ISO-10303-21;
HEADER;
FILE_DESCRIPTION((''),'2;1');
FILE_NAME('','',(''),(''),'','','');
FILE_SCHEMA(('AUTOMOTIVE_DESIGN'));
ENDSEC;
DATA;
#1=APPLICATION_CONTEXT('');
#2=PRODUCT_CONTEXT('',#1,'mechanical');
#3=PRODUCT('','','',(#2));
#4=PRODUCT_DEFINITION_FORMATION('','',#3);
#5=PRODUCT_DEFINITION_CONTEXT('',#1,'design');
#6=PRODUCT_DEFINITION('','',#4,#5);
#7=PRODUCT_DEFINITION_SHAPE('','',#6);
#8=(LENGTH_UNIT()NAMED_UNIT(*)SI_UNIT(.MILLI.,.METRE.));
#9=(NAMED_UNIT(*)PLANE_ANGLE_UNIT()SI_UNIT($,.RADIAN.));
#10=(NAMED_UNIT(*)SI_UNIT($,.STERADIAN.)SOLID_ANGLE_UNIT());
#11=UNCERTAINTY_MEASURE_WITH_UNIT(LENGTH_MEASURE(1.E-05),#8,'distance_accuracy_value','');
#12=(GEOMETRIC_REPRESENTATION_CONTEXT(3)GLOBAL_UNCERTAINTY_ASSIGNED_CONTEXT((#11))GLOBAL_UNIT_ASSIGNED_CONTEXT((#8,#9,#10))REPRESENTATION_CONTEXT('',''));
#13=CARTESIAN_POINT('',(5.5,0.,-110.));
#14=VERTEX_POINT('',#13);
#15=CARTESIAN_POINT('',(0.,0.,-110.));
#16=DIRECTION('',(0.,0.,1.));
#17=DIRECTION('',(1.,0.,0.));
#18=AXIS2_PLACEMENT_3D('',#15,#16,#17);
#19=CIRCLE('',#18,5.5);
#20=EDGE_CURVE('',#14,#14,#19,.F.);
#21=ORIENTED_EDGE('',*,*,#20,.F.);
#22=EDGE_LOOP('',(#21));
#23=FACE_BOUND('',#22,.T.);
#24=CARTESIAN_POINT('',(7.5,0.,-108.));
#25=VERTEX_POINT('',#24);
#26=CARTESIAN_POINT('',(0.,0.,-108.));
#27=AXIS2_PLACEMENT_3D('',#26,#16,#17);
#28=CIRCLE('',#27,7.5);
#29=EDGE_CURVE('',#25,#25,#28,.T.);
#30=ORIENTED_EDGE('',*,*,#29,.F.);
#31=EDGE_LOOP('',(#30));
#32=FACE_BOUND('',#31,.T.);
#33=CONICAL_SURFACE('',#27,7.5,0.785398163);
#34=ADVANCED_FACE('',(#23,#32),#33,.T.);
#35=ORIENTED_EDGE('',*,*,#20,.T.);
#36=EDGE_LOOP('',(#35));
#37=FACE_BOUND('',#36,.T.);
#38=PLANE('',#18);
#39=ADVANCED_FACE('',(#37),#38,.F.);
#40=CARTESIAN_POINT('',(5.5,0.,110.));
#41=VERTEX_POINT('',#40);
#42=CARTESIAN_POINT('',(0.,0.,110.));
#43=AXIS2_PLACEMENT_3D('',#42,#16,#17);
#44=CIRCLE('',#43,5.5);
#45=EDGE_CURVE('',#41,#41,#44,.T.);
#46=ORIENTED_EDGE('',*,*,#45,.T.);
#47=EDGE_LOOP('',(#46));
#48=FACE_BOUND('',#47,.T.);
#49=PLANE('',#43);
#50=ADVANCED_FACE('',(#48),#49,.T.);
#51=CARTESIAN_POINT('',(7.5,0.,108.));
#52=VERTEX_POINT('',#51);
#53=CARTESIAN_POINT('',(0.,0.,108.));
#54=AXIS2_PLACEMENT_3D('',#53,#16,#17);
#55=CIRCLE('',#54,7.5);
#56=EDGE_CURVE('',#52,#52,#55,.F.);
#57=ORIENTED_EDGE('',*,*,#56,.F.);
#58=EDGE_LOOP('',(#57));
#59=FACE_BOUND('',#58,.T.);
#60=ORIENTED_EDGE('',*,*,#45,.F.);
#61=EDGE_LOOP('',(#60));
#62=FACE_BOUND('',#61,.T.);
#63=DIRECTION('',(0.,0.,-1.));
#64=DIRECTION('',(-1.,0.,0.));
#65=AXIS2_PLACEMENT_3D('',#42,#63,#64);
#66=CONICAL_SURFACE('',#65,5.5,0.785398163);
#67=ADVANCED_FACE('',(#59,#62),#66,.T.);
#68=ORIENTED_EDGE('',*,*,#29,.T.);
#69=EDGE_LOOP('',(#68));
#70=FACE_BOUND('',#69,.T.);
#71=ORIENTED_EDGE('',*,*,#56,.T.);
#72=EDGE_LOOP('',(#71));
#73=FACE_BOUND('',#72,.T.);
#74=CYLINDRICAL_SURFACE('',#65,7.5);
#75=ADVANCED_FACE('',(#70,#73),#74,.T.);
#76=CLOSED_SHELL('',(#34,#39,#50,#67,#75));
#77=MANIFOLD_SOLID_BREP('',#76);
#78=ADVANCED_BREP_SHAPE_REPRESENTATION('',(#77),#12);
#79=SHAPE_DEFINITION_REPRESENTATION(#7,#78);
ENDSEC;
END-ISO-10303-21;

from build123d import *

# Parameters (mm, degrees)
SKETCH1_R           = 7.5
BOSS_EXTRUDE1_DEPTH = 110
CHAMFER1_SIZE       = 2
CHAMFER2_SIZE       = 2


with BuildPart() as part:
    # Sketch1 → Boss-Extrude1 (new, symmetric)
    with BuildSketch(Plane.XY):
        Circle(SKETCH1_R)
    extrude(amount=BOSS_EXTRUDE1_DEPTH, both=True)

    # Chamfer1
    chamfer1_edges = [part.edges().sort_by_distance(p)[0] for p in [
        (-7.5, 0, -110),
    ]]
    chamfer(chamfer1_edges, length=CHAMFER1_SIZE)

    # Chamfer2
    chamfer2_edges = [part.edges().sort_by_distance(p)[0] for p in [
        (-7.5, 0, 110),
    ]]
    chamfer(chamfer2_edges, length=CHAMFER2_SIZE)


solid = part.part
